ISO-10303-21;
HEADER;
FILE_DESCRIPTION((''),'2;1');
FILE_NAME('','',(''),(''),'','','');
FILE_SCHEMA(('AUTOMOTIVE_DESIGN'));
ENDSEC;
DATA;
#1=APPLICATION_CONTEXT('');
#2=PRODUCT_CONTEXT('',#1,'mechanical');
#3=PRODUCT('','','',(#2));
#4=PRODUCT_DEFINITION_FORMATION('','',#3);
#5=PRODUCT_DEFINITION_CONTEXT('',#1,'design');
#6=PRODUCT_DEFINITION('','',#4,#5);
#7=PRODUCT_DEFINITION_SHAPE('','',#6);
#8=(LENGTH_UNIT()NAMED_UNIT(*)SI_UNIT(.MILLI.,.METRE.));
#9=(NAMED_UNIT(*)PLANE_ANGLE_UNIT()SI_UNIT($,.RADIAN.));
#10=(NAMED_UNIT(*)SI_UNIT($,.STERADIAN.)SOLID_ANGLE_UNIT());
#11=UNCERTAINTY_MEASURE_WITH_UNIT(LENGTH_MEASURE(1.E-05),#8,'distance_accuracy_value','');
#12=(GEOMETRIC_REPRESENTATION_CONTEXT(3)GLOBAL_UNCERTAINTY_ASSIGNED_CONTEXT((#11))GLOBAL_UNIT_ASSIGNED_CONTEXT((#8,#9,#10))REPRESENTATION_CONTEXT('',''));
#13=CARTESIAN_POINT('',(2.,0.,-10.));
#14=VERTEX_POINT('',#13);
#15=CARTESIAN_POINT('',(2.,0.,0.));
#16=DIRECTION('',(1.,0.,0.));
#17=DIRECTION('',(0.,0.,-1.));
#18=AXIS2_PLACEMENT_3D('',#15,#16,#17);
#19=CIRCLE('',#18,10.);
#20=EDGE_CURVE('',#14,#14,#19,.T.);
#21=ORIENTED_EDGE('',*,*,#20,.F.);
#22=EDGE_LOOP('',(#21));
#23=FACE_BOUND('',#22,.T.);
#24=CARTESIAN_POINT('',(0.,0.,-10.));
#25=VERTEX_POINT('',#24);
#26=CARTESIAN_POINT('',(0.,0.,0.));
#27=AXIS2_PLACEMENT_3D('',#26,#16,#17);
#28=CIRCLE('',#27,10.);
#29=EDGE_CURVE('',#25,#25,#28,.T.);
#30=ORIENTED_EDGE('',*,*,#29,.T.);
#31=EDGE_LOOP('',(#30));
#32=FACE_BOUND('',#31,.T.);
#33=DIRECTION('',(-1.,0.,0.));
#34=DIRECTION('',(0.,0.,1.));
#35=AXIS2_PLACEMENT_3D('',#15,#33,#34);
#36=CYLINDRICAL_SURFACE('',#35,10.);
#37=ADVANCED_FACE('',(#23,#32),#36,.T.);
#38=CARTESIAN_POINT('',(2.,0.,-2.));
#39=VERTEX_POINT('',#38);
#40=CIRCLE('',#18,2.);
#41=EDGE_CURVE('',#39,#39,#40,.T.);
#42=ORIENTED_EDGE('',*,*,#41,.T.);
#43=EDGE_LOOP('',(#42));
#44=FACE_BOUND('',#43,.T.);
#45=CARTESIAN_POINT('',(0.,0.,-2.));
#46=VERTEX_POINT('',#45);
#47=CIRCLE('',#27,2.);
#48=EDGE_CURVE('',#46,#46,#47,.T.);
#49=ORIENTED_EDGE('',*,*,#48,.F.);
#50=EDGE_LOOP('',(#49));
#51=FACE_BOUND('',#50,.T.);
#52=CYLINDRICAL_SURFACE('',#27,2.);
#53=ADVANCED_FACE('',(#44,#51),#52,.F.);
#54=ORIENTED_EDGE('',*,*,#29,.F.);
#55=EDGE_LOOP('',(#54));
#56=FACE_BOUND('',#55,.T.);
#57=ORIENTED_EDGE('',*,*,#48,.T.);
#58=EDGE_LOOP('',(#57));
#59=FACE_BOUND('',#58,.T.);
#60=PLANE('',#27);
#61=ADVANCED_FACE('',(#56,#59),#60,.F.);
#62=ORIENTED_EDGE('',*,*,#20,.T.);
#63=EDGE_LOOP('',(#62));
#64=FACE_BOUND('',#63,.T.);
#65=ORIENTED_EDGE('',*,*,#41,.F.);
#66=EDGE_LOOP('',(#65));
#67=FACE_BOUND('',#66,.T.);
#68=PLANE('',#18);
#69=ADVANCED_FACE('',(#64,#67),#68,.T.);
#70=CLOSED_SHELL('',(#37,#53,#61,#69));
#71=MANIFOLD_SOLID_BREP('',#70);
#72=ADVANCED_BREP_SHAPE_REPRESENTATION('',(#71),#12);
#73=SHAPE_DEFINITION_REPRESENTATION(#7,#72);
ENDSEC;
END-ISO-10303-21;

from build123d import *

# Parameters (mm, degrees)
SKETCH1_R           = 10
BOSS_EXTRUDE1_DEPTH = 2
SKETCH2_R           = 2
CUT_EXTRUDE1_DEPTH  = 3


with BuildPart() as part:
    # Sketch1 → Boss-Extrude1 (new body)
    with BuildSketch(Plane(origin=(0, 0, 0), x_dir=(0, 0, -1), z_dir=(1, 0, 0))):
        Circle(SKETCH1_R)
    extrude(amount=BOSS_EXTRUDE1_DEPTH)

    # Sketch2 → Cut-Extrude1 (cut, through all)
    with BuildSketch(Plane(origin=(2, 0, 0), x_dir=(0, 0, -1), z_dir=(1, 0, 0))):
        Circle(SKETCH2_R)
    extrude(amount=-CUT_EXTRUDE1_DEPTH, mode=Mode.SUBTRACT)


solid = part.part
